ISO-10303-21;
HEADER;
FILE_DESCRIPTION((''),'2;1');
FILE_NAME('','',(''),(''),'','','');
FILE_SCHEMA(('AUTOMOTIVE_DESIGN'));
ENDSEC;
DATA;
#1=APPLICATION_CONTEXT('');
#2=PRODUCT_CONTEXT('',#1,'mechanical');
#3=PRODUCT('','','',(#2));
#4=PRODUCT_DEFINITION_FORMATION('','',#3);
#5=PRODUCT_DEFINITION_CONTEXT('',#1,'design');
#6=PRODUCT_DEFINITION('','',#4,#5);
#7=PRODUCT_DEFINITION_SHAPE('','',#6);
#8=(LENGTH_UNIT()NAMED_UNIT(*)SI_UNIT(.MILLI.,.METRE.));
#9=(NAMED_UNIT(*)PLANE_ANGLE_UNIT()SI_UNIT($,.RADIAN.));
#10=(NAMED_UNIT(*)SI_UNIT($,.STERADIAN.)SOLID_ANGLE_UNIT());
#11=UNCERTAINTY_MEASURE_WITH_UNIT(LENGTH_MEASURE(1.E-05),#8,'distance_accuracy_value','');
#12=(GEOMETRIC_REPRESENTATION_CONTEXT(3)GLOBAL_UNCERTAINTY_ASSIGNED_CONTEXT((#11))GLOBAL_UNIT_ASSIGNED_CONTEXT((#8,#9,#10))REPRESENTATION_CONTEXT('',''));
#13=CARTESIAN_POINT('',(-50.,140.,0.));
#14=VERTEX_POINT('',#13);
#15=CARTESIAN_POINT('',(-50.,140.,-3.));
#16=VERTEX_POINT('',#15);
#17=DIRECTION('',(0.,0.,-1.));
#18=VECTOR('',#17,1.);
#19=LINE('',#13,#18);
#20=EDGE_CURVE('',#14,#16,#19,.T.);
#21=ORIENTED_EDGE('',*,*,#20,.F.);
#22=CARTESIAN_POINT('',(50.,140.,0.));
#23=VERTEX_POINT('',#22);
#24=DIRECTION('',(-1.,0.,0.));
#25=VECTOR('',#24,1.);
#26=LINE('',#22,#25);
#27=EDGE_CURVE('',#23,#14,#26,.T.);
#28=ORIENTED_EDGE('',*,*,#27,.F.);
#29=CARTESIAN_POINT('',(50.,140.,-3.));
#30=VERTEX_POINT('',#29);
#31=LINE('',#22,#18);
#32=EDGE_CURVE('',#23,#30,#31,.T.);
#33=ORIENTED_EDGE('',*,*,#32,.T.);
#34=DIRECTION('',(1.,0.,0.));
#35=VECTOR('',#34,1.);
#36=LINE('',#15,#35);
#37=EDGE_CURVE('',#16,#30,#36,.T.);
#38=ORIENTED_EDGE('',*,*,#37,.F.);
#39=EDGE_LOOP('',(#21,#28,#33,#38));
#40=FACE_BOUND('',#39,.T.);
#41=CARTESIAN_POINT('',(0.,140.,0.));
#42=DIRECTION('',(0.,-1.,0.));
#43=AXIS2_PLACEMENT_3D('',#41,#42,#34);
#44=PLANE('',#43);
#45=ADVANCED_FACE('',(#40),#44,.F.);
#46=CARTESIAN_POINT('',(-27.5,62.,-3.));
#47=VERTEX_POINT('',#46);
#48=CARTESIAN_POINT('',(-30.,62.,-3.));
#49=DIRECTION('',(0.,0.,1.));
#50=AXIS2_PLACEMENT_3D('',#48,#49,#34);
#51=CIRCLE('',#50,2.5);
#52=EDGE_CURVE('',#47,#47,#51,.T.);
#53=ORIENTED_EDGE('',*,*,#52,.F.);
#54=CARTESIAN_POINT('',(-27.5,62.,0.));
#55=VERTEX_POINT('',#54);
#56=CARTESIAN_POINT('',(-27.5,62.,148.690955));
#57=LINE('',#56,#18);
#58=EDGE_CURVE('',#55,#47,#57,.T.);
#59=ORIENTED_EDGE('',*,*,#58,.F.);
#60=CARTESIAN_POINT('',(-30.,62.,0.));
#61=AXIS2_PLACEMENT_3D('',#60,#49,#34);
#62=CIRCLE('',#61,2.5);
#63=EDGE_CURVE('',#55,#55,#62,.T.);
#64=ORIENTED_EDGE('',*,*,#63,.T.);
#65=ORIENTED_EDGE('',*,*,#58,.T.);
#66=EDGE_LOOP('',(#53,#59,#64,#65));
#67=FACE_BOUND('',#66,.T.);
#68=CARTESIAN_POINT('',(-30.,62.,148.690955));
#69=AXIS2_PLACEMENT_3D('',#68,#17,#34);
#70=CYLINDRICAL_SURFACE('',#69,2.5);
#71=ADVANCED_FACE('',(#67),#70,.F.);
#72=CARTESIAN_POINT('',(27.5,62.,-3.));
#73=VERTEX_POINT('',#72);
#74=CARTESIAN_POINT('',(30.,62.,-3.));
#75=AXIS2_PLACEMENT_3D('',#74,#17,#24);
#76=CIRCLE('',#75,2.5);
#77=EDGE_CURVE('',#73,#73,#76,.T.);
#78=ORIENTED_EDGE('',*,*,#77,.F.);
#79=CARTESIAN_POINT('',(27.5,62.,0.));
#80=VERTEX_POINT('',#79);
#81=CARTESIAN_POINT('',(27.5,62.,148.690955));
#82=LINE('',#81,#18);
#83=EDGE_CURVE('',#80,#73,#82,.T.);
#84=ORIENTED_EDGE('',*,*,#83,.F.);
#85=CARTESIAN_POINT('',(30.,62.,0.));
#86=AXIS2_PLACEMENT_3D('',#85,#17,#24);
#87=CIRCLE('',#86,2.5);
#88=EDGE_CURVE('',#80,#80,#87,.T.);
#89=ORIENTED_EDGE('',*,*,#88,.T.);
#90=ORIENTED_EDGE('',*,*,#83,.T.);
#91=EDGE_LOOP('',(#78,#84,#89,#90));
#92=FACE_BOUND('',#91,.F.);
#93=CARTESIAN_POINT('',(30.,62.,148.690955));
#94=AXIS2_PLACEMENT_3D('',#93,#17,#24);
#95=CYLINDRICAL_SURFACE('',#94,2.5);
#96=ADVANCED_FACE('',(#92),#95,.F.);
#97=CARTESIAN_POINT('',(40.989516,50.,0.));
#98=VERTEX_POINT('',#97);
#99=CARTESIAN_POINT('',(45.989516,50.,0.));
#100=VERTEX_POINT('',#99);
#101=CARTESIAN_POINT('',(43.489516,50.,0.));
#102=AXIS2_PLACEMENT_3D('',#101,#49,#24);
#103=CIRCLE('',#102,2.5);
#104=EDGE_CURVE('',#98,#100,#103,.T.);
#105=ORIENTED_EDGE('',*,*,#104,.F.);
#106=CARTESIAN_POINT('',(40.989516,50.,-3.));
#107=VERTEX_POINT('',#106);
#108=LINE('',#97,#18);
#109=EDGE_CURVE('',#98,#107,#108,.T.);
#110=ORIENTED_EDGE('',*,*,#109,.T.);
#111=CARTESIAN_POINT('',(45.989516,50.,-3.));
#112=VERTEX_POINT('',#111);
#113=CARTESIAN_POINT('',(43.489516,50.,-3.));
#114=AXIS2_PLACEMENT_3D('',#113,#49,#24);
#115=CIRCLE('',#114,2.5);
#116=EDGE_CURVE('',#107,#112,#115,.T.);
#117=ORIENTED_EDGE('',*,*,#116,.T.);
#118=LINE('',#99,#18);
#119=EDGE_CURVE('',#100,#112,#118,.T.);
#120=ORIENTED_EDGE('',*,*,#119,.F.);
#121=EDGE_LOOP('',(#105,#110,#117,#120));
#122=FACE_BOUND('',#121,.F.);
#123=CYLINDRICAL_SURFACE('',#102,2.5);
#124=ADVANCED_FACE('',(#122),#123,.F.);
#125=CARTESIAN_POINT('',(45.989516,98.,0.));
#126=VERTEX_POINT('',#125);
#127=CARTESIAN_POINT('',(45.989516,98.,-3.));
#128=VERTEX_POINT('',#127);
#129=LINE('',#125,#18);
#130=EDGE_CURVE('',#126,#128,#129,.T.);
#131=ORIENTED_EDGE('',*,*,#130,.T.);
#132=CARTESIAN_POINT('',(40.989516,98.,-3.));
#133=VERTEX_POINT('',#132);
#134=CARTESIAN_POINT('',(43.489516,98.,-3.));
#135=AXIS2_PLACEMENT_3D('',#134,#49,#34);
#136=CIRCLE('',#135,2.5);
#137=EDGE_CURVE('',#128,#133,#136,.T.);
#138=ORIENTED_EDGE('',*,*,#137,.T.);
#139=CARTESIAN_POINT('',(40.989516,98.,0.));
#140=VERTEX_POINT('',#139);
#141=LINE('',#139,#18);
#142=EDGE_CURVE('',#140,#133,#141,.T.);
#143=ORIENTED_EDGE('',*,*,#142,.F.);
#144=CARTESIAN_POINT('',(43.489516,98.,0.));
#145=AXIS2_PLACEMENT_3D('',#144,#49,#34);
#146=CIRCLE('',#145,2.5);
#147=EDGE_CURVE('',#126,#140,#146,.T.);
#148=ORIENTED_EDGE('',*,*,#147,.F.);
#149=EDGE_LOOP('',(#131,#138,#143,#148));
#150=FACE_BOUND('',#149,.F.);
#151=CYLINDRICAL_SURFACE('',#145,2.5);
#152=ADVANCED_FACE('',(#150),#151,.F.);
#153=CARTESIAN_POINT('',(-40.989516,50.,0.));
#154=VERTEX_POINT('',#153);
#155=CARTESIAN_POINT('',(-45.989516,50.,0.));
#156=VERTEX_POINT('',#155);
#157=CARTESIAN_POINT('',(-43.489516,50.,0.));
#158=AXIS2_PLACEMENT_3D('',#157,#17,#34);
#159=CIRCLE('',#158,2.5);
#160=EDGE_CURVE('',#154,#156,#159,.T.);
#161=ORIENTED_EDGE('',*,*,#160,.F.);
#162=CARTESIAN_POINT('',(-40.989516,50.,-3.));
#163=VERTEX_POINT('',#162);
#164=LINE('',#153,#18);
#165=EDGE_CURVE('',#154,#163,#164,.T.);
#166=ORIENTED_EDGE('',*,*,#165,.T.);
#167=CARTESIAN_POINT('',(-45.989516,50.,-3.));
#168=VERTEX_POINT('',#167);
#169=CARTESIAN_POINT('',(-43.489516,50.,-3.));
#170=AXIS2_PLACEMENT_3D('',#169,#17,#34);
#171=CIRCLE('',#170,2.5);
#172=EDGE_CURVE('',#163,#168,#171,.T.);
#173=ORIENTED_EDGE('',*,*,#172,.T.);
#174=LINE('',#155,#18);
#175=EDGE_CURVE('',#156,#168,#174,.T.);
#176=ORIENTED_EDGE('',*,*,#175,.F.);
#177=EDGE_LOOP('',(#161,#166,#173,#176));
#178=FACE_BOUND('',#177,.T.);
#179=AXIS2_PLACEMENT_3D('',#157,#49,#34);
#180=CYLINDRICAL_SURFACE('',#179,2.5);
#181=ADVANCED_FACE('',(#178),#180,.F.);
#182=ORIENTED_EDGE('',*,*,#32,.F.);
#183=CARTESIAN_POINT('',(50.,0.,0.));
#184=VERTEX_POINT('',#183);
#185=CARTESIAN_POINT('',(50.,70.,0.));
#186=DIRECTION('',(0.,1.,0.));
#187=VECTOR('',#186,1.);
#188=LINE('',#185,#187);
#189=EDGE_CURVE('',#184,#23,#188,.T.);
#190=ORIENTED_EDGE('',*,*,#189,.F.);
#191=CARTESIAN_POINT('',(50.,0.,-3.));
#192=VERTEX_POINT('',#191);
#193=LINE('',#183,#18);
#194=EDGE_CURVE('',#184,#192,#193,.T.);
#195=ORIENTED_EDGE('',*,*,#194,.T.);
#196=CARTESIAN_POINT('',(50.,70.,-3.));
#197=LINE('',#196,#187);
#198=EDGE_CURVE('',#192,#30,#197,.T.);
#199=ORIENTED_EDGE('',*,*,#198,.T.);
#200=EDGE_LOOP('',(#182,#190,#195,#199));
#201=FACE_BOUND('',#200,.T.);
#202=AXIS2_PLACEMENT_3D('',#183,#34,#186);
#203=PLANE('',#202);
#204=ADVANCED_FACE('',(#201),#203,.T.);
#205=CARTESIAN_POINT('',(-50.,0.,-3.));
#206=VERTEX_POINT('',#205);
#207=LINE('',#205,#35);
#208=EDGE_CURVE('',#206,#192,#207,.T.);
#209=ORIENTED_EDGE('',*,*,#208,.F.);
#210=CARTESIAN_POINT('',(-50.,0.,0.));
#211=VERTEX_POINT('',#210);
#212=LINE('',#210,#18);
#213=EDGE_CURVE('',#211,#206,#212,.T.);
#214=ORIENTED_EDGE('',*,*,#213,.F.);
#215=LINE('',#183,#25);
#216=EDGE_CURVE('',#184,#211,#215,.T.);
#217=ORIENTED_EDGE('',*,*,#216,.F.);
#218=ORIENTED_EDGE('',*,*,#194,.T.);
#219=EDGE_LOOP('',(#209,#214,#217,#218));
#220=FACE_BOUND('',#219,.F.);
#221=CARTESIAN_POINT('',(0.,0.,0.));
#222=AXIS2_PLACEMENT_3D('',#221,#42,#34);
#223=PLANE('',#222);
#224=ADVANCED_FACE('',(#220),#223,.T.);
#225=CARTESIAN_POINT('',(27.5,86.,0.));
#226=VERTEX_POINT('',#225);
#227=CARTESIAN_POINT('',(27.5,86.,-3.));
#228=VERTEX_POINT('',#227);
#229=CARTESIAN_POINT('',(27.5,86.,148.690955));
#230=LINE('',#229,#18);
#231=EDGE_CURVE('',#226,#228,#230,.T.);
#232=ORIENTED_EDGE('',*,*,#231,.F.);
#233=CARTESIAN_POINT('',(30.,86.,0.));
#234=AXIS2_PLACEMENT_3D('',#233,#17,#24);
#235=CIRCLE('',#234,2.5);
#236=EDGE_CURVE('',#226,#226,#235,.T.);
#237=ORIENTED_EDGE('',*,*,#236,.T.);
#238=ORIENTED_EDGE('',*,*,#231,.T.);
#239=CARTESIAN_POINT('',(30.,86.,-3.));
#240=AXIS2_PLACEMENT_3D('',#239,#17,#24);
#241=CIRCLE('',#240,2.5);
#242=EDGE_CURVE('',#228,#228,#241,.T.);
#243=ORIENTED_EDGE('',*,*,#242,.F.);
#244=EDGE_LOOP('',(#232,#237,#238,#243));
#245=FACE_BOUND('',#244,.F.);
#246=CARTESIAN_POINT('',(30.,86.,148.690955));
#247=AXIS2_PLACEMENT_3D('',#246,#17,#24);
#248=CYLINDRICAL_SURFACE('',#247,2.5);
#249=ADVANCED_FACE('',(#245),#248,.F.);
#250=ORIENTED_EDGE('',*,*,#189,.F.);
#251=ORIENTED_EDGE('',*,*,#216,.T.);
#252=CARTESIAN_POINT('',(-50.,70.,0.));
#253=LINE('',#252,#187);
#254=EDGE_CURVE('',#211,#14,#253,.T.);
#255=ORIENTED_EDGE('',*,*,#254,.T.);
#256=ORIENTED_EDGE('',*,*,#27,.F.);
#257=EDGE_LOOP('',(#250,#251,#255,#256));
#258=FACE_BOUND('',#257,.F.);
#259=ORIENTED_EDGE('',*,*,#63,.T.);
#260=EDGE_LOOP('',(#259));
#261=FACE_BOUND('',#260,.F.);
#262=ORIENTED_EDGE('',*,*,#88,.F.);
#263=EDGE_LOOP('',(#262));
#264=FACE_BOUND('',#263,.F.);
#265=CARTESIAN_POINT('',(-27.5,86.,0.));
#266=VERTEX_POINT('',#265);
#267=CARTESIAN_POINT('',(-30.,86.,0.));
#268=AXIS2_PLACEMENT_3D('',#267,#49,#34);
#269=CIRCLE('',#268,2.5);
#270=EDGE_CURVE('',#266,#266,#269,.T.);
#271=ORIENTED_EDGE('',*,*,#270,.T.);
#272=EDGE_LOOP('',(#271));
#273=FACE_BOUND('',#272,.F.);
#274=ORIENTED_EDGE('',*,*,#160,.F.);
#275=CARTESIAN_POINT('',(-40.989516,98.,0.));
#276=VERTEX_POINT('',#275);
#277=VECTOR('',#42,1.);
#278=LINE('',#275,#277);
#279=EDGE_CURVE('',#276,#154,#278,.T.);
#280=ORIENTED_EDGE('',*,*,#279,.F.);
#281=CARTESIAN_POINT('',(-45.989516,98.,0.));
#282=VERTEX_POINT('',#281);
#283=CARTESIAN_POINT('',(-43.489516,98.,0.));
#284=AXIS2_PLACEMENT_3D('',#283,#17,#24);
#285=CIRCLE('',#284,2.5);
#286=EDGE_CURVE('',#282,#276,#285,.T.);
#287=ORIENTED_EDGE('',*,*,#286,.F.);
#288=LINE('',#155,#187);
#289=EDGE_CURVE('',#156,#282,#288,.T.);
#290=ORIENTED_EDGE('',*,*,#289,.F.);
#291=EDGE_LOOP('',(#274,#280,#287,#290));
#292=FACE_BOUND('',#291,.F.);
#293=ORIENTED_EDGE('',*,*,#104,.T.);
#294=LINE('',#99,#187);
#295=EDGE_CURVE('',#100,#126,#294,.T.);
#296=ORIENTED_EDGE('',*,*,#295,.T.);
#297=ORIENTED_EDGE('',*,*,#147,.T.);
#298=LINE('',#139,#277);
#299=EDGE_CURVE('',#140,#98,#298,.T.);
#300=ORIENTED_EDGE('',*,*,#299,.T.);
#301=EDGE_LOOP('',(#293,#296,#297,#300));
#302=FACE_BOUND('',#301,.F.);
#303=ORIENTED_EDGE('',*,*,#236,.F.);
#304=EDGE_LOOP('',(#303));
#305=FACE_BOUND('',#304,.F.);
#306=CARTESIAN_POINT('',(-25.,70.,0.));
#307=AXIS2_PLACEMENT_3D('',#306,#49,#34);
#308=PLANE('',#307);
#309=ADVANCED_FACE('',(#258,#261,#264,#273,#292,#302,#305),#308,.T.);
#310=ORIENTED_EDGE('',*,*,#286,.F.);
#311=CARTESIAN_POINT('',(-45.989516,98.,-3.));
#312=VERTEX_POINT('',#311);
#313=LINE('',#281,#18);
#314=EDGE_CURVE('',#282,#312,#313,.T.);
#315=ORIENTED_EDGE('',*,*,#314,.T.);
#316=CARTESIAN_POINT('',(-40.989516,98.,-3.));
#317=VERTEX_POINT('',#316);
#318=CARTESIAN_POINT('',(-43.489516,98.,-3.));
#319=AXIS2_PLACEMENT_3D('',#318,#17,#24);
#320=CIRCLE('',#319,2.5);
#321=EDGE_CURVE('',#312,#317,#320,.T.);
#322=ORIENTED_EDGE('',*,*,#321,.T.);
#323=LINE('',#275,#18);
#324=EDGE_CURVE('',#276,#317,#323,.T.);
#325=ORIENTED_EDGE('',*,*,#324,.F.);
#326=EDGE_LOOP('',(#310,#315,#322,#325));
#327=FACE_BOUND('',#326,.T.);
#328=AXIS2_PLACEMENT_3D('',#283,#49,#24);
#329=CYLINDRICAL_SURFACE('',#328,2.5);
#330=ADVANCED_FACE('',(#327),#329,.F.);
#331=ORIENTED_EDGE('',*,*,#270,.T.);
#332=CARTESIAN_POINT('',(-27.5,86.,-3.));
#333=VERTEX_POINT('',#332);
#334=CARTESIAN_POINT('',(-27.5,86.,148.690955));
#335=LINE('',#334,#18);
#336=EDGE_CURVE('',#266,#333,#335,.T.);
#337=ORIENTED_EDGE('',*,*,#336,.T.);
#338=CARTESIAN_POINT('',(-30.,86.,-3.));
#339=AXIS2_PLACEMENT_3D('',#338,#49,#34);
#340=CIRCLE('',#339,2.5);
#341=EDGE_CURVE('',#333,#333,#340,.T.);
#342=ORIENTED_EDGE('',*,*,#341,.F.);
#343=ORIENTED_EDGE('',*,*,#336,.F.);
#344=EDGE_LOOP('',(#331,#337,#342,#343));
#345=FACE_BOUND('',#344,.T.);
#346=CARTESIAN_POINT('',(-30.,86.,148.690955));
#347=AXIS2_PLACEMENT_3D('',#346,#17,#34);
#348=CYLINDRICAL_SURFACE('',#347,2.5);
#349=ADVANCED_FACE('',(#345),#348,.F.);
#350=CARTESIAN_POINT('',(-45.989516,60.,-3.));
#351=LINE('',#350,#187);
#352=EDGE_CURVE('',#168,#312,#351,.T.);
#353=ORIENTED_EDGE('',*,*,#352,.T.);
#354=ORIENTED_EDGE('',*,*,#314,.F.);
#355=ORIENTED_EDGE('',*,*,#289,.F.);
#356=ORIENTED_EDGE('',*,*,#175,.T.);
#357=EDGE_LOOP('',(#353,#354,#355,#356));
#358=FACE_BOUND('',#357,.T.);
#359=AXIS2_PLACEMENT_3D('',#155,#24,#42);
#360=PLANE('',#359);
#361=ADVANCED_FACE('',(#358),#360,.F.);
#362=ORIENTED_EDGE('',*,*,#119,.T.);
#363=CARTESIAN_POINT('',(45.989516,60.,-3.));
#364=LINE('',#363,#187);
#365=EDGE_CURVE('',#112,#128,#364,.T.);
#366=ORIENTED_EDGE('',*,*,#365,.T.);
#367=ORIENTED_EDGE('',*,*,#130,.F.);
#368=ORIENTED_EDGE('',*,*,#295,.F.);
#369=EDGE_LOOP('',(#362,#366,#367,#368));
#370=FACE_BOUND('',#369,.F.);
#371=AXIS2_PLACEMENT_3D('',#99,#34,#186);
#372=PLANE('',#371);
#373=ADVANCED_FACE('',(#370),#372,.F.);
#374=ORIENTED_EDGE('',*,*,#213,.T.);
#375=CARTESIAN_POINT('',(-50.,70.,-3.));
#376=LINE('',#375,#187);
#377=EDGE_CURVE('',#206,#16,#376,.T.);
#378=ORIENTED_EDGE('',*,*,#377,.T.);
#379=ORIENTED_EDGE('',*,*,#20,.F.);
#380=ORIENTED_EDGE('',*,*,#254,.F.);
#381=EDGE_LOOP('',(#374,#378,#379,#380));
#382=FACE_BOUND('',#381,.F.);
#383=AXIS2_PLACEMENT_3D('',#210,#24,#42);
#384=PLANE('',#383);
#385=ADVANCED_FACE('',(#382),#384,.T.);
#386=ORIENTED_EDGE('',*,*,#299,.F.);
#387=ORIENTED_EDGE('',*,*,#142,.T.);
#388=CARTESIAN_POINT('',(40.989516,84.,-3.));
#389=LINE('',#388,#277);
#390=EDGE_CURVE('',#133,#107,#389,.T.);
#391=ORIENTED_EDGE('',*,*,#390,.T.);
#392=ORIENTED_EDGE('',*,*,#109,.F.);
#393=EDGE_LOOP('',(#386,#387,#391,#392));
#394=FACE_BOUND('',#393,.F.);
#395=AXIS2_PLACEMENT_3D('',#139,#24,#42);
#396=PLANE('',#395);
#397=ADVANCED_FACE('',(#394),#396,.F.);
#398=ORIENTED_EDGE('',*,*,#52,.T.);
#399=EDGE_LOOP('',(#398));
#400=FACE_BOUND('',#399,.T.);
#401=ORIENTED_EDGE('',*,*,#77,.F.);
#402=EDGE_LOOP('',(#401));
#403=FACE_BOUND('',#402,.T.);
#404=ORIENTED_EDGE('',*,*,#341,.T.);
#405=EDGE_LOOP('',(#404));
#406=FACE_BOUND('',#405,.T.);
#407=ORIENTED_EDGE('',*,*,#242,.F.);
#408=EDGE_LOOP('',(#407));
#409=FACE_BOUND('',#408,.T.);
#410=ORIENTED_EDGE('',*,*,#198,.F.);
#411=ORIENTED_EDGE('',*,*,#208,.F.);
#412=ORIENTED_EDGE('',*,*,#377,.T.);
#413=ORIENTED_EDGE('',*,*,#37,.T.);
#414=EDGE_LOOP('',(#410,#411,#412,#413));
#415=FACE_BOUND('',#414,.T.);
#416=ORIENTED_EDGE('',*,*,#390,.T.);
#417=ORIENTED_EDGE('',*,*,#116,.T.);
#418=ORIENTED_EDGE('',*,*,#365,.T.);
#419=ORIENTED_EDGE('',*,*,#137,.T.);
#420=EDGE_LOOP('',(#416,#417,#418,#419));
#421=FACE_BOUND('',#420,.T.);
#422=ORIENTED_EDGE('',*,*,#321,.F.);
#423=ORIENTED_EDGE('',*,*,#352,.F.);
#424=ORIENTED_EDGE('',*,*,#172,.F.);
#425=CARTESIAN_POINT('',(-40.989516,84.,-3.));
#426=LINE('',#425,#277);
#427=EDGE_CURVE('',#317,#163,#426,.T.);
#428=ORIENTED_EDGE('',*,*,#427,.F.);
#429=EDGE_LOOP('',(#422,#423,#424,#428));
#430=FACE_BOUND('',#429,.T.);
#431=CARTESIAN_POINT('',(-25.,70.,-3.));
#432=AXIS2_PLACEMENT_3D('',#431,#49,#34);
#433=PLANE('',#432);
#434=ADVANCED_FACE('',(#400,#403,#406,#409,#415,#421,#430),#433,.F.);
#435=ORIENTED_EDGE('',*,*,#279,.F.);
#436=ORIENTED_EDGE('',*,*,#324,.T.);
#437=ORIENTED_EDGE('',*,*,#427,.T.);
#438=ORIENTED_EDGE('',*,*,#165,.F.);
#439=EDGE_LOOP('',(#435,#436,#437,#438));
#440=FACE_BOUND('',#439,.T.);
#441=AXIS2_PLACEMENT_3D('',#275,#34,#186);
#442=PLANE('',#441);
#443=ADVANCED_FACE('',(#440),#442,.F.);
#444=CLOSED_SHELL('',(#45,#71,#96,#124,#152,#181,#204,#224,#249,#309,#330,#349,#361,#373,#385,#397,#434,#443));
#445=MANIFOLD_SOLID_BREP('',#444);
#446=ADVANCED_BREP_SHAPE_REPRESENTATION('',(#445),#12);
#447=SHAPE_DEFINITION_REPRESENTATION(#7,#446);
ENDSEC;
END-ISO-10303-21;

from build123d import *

# Parameters (mm, degrees)
F0_W     = 50
F0_H     = 140
F1_DEPTH = 3
F3_D     = 5
F5_DEPTH = 39.832257


with BuildPart() as f1:
    # F0 (on Top) → F1 (new body)
    with BuildSketch(Plane.XY):
        with Locations((25, 70)):
            Rectangle(F0_W, F0_H)
    extrude(amount=-F1_DEPTH)

    # F3 (through all)
    with Locations(Plane.XY):
        with Locations((30, 86), (30, 62)):
            Hole(F3_D / 2)

    # F4 (on face) → F5 (cut)
    with BuildSketch(Plane.XY):
        with BuildLine():
            ThreePointArc((40.989516, 50), (43.489516, 47.5), (45.989516, 50))
            Line((45.989516, 50), (45.989516, 98))
            ThreePointArc((45.989516, 98), (43.489516, 100.5), (40.989516, 98))
            Line((40.989516, 98), (40.989516, 50))
        make_face()
    extrude(amount=-F5_DEPTH, mode=Mode.SUBTRACT)

    # F6: F1 across plane


with BuildPart() as f1_1:
    add(f1.part)
    add(f1.part.mirror(Plane.YZ))


solid = f1_1.part
